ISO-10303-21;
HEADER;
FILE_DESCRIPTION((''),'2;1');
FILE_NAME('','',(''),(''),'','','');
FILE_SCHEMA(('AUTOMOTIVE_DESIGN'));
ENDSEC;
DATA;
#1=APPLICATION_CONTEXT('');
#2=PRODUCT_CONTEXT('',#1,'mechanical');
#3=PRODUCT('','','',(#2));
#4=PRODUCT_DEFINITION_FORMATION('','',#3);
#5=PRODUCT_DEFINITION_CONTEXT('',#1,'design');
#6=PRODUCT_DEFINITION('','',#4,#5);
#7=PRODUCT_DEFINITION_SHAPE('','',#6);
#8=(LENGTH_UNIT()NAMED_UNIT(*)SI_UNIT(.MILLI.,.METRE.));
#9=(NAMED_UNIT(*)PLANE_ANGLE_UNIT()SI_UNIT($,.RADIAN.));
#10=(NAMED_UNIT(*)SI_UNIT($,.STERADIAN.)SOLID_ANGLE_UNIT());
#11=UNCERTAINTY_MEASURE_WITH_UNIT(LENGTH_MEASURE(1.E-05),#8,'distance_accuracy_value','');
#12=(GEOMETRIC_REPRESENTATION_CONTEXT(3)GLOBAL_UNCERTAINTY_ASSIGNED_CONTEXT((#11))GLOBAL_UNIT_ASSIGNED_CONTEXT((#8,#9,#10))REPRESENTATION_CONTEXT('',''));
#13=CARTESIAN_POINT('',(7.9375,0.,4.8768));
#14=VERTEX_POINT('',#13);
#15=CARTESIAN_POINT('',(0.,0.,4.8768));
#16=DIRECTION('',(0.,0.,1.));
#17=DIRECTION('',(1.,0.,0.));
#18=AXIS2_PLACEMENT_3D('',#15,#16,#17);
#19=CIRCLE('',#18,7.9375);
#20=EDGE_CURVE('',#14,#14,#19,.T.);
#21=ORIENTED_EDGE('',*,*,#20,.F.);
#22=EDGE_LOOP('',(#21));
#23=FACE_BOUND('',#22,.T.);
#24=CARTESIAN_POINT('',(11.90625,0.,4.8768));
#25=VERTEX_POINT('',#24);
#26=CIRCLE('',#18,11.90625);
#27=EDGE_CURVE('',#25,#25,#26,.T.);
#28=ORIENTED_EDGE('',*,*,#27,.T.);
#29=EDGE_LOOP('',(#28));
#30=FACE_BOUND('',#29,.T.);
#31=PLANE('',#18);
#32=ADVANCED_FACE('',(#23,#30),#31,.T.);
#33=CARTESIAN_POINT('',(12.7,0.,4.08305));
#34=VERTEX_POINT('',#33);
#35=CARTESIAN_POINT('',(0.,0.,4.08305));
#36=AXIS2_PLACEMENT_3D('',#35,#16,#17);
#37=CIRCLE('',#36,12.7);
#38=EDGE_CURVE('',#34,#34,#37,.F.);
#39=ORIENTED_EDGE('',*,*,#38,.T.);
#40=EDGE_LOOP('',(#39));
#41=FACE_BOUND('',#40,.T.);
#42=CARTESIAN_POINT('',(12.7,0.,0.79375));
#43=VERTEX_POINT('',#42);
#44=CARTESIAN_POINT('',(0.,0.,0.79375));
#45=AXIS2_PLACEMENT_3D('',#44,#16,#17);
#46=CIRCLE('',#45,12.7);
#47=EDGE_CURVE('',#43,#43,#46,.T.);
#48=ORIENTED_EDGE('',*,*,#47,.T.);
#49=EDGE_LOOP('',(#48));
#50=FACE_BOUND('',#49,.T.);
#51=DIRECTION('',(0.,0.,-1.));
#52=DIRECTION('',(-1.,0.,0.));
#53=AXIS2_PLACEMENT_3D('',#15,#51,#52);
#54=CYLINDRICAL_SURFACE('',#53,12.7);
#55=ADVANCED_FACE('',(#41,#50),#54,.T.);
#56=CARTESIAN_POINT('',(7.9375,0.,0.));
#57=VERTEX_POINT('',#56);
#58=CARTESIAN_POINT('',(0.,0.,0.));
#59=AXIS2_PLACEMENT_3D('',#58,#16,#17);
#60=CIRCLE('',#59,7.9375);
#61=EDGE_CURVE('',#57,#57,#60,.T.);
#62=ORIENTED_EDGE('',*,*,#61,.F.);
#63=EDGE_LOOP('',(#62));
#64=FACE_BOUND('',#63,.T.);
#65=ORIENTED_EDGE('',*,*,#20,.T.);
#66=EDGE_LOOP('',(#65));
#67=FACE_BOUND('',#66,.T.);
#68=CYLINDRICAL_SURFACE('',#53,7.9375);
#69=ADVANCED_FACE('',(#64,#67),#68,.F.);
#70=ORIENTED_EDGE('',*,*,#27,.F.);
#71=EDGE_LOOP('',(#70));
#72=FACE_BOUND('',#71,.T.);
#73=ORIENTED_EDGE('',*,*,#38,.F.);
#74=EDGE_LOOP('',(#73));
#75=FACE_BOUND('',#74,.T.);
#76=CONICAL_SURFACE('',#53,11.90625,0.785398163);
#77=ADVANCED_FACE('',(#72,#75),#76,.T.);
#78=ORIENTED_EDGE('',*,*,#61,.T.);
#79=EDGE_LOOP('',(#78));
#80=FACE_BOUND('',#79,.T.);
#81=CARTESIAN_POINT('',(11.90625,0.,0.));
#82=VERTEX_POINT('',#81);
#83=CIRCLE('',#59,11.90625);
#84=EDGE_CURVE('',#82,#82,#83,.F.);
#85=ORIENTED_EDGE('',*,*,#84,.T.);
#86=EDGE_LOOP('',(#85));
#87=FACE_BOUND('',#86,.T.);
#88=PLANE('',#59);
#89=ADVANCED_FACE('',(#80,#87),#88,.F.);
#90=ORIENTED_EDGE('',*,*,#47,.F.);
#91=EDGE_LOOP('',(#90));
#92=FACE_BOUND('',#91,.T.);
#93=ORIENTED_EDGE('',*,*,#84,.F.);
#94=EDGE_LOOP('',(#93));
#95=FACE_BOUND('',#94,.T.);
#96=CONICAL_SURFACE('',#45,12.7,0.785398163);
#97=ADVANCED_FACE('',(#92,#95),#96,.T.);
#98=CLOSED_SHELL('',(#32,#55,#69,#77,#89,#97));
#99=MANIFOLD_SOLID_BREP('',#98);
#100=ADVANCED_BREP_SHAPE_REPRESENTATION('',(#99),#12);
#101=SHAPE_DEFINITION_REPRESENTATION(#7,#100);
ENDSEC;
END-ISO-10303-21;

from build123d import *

# Parameters (mm, degrees)
SKETCH1_R           = 12.7
SKETCH1_R_2         = 7.9375
BOSS_EXTRUDE1_DEPTH = 4.8768
CHAMFER1_SIZE       = 0.79375


with BuildPart() as part:
    # Sketch1 → Boss-Extrude1 (new body)
    with BuildSketch(Plane.XY):
        Circle(SKETCH1_R)
        Circle(SKETCH1_R_2, mode=Mode.SUBTRACT)
    extrude(amount=BOSS_EXTRUDE1_DEPTH)

    # Chamfer1
    chamfer1_edges = [part.edges().sort_by_distance(p)[0] for p in [
        (-12.7, 0, 0),
        (-12.7, 0, 4.8768),
    ]]
    chamfer(chamfer1_edges, length=CHAMFER1_SIZE)


solid = part.part
